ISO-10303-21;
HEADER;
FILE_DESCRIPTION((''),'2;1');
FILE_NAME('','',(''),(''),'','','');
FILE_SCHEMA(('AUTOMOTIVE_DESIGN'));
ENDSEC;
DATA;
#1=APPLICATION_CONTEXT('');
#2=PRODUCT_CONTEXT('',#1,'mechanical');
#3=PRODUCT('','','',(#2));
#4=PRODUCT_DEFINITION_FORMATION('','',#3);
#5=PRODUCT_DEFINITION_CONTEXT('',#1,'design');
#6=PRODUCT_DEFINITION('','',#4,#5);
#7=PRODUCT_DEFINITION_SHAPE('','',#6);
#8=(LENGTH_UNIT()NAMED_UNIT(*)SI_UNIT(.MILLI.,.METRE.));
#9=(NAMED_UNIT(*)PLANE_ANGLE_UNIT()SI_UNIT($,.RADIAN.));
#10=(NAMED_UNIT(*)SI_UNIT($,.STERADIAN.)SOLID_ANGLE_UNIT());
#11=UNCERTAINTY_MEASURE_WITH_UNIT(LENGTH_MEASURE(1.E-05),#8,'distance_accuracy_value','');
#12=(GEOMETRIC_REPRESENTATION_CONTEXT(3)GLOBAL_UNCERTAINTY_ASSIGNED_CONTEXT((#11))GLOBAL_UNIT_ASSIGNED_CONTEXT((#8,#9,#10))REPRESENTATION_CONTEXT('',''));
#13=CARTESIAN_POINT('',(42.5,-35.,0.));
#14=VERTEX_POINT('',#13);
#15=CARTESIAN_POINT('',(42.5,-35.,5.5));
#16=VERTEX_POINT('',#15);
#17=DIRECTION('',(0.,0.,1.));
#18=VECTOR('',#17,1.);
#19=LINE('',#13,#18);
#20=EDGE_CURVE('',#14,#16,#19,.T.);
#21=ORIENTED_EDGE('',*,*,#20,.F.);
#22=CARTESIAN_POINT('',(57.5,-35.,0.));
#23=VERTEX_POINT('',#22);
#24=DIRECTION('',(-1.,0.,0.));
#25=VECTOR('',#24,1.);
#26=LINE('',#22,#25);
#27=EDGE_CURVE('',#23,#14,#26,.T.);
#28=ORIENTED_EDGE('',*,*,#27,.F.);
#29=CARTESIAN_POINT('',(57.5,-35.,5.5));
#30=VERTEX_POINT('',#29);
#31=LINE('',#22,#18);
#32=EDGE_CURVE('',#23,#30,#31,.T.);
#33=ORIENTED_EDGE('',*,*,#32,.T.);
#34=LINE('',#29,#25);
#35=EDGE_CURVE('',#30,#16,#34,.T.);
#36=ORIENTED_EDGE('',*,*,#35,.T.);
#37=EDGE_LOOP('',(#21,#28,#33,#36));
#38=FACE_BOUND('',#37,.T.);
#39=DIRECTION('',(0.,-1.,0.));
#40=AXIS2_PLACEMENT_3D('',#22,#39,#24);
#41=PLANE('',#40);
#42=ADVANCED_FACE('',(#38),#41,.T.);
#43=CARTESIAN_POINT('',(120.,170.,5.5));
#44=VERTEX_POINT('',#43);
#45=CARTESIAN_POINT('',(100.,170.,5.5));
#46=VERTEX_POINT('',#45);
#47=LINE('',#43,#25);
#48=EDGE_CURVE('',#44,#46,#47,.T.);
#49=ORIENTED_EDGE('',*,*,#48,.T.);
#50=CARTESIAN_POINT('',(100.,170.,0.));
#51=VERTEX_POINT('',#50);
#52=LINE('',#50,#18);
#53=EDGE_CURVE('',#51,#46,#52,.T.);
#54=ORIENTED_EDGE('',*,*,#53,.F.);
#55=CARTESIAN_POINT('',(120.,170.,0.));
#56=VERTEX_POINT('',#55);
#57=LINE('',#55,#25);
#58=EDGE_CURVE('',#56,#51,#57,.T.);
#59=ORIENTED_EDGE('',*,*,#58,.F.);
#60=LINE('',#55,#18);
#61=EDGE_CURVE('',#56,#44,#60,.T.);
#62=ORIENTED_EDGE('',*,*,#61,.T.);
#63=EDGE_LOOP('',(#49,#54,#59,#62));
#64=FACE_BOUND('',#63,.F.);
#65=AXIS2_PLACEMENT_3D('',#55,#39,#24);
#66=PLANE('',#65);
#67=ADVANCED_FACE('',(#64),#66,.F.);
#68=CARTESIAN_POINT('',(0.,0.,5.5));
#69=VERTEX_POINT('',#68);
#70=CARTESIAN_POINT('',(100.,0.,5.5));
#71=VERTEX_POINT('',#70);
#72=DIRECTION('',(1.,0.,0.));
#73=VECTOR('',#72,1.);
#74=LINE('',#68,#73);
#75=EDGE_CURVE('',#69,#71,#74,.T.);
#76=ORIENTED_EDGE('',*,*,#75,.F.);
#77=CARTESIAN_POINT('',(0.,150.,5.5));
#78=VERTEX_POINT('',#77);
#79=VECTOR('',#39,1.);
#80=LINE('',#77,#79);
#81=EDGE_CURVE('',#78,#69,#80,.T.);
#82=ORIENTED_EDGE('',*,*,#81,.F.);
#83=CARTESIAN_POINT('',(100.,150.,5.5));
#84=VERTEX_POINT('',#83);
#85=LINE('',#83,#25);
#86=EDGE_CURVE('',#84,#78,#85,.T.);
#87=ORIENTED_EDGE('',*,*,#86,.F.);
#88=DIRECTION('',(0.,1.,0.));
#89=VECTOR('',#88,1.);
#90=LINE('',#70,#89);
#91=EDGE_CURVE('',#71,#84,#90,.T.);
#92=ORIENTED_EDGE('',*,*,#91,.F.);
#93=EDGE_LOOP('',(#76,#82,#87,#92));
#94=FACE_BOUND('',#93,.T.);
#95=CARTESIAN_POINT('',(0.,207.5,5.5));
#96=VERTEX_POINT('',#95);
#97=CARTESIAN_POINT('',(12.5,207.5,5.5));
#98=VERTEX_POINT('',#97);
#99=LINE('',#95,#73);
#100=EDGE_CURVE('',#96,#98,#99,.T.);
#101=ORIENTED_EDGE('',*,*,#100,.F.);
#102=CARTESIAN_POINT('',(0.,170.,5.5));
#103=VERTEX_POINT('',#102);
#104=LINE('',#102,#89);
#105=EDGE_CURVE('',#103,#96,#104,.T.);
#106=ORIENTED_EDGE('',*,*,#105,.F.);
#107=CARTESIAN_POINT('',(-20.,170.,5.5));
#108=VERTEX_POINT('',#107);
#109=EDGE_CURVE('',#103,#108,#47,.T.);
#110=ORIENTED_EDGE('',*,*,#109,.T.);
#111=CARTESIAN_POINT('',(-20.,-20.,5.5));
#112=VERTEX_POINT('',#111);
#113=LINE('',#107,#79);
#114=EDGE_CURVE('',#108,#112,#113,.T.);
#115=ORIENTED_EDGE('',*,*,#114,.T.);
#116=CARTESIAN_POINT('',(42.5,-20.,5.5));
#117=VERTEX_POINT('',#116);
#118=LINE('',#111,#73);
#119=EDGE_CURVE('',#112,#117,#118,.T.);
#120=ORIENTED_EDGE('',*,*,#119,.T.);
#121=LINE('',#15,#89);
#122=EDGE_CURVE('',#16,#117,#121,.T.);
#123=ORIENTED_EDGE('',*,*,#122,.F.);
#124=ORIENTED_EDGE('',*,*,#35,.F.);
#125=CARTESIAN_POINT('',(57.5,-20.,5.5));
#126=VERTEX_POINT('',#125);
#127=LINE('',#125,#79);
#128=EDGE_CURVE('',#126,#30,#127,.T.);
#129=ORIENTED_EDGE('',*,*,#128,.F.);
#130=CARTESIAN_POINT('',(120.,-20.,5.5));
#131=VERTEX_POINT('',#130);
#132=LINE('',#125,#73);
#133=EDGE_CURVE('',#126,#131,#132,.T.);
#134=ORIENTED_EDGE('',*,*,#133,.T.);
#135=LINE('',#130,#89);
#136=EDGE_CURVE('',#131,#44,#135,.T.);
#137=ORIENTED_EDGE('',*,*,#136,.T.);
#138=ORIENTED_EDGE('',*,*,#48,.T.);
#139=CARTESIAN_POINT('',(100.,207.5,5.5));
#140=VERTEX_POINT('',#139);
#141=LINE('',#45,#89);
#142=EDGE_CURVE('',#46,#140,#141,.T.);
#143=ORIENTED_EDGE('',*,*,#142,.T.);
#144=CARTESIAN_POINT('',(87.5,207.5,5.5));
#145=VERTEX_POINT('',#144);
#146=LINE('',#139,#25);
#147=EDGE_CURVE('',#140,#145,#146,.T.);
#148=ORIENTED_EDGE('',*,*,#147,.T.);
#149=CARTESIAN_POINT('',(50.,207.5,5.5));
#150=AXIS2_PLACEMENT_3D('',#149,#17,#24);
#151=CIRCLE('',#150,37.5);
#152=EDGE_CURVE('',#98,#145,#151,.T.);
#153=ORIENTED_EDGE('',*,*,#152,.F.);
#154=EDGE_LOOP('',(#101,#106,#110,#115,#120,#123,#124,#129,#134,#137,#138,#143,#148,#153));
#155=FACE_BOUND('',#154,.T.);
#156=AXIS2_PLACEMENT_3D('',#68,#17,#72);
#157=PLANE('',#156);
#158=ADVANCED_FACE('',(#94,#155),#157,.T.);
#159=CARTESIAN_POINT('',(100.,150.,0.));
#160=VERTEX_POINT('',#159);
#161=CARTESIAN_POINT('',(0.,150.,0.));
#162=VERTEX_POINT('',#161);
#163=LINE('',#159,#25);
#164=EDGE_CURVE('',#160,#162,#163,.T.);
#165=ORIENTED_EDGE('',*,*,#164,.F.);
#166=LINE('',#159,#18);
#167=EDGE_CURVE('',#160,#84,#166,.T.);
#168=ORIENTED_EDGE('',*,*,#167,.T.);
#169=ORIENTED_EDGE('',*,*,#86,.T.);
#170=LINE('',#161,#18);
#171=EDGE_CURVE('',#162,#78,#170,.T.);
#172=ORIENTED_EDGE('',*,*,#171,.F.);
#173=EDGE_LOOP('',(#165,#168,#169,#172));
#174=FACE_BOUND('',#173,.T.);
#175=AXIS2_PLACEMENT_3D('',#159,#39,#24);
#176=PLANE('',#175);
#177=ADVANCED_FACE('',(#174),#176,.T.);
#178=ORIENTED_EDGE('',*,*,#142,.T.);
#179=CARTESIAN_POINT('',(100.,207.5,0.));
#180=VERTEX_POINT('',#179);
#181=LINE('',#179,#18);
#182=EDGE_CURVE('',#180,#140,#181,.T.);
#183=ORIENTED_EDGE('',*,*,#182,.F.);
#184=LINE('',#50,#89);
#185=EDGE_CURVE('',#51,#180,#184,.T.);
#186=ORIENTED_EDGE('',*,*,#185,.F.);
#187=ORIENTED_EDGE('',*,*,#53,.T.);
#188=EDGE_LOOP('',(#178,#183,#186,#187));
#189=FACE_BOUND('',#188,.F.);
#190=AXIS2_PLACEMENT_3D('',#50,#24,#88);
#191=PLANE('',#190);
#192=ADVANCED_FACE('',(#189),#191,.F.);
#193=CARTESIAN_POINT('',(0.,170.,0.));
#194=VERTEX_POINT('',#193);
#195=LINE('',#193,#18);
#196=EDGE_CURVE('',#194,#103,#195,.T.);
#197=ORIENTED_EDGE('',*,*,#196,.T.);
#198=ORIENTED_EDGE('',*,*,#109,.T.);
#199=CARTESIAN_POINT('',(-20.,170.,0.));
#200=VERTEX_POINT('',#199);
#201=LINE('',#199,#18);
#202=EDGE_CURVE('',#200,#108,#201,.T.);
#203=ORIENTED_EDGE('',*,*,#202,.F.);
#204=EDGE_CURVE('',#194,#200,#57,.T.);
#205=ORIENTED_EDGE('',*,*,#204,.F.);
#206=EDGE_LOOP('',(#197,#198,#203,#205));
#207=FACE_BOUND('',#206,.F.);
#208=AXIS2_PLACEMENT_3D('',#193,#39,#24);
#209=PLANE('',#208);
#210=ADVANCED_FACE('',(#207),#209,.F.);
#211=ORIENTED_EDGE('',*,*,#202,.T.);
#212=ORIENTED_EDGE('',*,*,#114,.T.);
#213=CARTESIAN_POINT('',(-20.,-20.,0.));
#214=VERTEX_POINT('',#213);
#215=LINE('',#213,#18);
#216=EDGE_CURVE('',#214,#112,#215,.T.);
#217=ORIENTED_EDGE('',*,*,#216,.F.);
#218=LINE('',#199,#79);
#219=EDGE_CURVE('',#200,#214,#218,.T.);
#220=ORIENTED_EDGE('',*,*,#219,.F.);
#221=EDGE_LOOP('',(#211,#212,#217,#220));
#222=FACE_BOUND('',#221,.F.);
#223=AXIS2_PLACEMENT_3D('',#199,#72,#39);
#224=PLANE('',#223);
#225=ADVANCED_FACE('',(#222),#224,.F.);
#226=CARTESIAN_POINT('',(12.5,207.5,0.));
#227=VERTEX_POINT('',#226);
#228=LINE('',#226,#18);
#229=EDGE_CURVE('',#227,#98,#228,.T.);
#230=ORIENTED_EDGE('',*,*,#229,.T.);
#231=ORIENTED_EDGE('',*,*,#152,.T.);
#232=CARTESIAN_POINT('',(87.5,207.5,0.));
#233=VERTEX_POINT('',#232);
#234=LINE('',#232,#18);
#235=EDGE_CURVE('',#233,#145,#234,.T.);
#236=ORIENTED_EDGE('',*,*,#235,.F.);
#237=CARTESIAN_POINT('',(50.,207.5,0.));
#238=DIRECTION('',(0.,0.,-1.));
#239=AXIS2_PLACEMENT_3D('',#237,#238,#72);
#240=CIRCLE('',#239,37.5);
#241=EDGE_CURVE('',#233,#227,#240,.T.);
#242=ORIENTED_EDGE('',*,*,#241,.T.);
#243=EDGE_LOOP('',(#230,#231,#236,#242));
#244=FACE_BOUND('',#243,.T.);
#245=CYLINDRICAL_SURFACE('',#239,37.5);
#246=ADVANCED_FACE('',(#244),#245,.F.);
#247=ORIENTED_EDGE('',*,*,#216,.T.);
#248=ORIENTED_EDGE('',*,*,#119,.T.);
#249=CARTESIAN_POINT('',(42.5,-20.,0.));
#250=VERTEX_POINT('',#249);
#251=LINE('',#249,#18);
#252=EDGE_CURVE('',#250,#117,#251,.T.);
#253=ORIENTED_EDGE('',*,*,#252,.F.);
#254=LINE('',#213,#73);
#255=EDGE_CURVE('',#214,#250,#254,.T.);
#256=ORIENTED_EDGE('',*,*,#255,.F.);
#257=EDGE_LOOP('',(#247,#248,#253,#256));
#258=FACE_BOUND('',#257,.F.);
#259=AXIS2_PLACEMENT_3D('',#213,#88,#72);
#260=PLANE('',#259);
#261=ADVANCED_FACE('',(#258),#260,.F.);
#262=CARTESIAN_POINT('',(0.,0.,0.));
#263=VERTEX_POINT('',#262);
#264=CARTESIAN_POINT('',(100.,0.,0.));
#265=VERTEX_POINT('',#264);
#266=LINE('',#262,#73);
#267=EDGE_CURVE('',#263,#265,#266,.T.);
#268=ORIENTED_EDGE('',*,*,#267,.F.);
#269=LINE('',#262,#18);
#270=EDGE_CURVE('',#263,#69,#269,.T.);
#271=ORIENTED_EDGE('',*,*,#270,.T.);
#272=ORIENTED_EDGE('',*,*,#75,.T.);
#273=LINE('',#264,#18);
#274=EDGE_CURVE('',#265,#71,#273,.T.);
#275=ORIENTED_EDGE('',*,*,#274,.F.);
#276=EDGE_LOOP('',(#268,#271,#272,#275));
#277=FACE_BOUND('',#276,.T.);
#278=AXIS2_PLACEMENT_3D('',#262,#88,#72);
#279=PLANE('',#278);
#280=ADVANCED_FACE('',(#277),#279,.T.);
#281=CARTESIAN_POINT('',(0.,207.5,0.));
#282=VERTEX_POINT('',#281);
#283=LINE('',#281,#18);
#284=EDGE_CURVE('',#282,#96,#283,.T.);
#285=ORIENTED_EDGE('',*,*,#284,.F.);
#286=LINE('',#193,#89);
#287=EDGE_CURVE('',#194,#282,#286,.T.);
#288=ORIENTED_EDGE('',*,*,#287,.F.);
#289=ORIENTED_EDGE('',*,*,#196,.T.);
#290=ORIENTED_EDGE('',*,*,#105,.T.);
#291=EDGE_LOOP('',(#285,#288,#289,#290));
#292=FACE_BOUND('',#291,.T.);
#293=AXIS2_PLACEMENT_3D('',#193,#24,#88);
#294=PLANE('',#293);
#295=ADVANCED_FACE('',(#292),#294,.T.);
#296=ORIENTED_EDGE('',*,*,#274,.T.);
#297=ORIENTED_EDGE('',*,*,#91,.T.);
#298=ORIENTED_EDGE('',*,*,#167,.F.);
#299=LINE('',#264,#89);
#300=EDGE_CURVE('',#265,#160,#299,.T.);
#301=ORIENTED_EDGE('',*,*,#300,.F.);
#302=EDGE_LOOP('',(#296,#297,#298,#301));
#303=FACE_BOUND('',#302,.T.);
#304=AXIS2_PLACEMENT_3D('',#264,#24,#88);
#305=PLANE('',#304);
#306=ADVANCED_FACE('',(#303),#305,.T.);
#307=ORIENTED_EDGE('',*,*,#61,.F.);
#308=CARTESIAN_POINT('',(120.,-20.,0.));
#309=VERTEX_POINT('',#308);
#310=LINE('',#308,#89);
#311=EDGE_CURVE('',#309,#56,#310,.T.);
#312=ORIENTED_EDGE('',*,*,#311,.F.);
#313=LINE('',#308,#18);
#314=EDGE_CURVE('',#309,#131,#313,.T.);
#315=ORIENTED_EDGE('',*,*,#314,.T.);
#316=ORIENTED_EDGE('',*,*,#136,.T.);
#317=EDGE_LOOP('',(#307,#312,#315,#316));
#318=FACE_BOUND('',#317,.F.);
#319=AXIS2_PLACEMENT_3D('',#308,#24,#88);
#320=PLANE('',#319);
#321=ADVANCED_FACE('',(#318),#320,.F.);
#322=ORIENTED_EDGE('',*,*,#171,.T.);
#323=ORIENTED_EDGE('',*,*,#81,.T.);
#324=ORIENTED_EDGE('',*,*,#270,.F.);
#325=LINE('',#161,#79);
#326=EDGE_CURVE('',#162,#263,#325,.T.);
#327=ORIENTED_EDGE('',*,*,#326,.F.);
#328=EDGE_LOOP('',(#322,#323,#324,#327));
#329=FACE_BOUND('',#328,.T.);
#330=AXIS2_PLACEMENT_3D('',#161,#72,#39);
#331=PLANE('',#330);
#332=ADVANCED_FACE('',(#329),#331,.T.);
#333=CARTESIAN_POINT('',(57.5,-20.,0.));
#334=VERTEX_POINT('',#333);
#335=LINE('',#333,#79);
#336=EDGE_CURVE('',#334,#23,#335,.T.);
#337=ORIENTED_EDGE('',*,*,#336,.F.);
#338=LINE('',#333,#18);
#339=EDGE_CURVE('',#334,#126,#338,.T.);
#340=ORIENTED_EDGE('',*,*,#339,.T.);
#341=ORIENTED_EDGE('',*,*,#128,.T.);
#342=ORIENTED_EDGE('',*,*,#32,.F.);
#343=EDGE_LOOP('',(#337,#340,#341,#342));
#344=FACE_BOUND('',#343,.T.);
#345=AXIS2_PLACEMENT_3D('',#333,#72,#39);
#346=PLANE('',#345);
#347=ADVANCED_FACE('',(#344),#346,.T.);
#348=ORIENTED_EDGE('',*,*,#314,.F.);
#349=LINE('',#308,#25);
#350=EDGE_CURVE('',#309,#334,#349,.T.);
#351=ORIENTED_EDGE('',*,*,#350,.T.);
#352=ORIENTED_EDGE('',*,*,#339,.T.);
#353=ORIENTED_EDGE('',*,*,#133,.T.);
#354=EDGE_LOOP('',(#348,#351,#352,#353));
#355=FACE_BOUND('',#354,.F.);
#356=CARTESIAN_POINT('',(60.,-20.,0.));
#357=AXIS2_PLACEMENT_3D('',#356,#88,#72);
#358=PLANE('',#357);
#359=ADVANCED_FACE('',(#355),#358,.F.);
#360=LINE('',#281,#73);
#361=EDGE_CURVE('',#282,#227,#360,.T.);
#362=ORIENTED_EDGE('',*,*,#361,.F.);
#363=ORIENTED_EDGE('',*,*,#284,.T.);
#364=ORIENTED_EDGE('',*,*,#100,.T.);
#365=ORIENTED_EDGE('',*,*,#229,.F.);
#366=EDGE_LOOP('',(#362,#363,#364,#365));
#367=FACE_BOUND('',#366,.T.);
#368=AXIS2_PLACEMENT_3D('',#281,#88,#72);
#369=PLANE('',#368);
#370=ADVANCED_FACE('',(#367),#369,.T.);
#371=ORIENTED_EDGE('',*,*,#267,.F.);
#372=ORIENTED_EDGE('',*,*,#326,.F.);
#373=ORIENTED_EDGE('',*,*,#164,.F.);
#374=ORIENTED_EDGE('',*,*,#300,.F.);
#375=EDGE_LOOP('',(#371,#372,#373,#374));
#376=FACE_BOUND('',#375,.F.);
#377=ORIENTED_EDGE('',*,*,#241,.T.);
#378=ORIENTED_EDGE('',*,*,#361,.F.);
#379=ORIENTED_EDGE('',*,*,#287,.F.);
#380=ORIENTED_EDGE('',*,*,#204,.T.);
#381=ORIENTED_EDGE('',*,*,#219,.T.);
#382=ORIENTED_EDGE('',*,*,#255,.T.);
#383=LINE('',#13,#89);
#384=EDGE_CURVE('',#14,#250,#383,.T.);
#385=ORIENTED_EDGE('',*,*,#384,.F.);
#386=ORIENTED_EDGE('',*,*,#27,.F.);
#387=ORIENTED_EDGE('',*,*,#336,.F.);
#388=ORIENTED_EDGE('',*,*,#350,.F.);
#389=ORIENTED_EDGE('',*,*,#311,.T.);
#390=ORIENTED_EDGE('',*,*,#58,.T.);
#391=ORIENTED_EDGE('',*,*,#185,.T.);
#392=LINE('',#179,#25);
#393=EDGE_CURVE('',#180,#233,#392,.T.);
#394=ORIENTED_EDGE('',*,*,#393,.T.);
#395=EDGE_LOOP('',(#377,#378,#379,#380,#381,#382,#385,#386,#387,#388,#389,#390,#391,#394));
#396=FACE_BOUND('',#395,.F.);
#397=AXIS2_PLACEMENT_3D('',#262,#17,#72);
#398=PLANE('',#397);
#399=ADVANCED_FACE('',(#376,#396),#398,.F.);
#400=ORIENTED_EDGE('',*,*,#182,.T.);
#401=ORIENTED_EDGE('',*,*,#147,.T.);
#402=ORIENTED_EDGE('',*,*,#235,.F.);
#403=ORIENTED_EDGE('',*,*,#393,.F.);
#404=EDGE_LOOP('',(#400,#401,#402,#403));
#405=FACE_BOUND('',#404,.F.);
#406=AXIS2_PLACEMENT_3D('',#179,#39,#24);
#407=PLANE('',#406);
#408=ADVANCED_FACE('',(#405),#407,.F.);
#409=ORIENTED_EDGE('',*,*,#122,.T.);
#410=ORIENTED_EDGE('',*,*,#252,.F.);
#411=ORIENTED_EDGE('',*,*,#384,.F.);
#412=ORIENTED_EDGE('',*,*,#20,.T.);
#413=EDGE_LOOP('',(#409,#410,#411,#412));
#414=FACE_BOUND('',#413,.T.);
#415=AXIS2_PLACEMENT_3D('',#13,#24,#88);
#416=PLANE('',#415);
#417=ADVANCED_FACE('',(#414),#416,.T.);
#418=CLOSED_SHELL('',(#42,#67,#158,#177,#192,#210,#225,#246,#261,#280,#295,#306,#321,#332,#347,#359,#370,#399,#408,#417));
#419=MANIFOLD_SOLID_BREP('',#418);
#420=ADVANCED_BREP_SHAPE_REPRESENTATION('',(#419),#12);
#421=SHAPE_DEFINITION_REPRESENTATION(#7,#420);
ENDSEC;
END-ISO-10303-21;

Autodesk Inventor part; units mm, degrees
ref_plane "YZ Plane" through (0, 0, 0) normal (1, 0, 0) x (0, 1, 0)
ref_plane "XZ Plane" through (0, 0, 0) normal (0, 1, 0) x (-1, 0, 0)
ref_plane "XY Plane" through (0, 0, 0) normal (0, 0, 1) x (1, 0, 0)
sketch "Sketch1" plane through (0, 0, 0) normal (0, 0, 1) x (1, 0, 0)
  line L0 (0, 0) -> (100, 0)
  line L1 (100, 0) -> (100, 150)
  line L2 (100, 150) -> (0, 150)
  line L3 (0, 150) -> (0, 0)
  circle A0 centre (50, 207.5) radius 37.5
  line L4 (-20, -20) -> (120, -20)
  line L5 (120, -20) -> (120, 170)
  line L6 (120, 170) -> (-20, 170)
  line L7 (-20, 170) -> (-20, -20)
  line L8 (0, 170) -> (100, 170)
  line L9 (49.5, -20) -> (59.5, -20)
  line L10 (45, -20) -> (60, -20)
  line L11 (42.5, -20) -> (57.5, -20)
  line L12 (57.5, -20) -> (57.5, -35)
  line L13 (57.5, -35) -> (42.5, -35)
  line L14 (42.5, -35) -> (42.5, -20)
  line L15 (100, 170) -> (100, 207.5)
  line L16 (100, 207.5) -> (87.5, 207.5)
  line L17 (0, 170) -> (0, 207.5)
  line L18 (0, 207.5) -> (12.5, 207.5)
  dimension "d0" = 75
  dimension "d1" = 140
  dimension "d3" = 15
  dimension "d4" = 15
extrude "Extrusion1" add sketch "Sketch1" along normal blind 5.5 contours L16 L15 L6 A0 | A0 L6 L17 L18 | L6 L5 L4 L7 | L4 L12 L13 L14
properties part number "anillo4"
